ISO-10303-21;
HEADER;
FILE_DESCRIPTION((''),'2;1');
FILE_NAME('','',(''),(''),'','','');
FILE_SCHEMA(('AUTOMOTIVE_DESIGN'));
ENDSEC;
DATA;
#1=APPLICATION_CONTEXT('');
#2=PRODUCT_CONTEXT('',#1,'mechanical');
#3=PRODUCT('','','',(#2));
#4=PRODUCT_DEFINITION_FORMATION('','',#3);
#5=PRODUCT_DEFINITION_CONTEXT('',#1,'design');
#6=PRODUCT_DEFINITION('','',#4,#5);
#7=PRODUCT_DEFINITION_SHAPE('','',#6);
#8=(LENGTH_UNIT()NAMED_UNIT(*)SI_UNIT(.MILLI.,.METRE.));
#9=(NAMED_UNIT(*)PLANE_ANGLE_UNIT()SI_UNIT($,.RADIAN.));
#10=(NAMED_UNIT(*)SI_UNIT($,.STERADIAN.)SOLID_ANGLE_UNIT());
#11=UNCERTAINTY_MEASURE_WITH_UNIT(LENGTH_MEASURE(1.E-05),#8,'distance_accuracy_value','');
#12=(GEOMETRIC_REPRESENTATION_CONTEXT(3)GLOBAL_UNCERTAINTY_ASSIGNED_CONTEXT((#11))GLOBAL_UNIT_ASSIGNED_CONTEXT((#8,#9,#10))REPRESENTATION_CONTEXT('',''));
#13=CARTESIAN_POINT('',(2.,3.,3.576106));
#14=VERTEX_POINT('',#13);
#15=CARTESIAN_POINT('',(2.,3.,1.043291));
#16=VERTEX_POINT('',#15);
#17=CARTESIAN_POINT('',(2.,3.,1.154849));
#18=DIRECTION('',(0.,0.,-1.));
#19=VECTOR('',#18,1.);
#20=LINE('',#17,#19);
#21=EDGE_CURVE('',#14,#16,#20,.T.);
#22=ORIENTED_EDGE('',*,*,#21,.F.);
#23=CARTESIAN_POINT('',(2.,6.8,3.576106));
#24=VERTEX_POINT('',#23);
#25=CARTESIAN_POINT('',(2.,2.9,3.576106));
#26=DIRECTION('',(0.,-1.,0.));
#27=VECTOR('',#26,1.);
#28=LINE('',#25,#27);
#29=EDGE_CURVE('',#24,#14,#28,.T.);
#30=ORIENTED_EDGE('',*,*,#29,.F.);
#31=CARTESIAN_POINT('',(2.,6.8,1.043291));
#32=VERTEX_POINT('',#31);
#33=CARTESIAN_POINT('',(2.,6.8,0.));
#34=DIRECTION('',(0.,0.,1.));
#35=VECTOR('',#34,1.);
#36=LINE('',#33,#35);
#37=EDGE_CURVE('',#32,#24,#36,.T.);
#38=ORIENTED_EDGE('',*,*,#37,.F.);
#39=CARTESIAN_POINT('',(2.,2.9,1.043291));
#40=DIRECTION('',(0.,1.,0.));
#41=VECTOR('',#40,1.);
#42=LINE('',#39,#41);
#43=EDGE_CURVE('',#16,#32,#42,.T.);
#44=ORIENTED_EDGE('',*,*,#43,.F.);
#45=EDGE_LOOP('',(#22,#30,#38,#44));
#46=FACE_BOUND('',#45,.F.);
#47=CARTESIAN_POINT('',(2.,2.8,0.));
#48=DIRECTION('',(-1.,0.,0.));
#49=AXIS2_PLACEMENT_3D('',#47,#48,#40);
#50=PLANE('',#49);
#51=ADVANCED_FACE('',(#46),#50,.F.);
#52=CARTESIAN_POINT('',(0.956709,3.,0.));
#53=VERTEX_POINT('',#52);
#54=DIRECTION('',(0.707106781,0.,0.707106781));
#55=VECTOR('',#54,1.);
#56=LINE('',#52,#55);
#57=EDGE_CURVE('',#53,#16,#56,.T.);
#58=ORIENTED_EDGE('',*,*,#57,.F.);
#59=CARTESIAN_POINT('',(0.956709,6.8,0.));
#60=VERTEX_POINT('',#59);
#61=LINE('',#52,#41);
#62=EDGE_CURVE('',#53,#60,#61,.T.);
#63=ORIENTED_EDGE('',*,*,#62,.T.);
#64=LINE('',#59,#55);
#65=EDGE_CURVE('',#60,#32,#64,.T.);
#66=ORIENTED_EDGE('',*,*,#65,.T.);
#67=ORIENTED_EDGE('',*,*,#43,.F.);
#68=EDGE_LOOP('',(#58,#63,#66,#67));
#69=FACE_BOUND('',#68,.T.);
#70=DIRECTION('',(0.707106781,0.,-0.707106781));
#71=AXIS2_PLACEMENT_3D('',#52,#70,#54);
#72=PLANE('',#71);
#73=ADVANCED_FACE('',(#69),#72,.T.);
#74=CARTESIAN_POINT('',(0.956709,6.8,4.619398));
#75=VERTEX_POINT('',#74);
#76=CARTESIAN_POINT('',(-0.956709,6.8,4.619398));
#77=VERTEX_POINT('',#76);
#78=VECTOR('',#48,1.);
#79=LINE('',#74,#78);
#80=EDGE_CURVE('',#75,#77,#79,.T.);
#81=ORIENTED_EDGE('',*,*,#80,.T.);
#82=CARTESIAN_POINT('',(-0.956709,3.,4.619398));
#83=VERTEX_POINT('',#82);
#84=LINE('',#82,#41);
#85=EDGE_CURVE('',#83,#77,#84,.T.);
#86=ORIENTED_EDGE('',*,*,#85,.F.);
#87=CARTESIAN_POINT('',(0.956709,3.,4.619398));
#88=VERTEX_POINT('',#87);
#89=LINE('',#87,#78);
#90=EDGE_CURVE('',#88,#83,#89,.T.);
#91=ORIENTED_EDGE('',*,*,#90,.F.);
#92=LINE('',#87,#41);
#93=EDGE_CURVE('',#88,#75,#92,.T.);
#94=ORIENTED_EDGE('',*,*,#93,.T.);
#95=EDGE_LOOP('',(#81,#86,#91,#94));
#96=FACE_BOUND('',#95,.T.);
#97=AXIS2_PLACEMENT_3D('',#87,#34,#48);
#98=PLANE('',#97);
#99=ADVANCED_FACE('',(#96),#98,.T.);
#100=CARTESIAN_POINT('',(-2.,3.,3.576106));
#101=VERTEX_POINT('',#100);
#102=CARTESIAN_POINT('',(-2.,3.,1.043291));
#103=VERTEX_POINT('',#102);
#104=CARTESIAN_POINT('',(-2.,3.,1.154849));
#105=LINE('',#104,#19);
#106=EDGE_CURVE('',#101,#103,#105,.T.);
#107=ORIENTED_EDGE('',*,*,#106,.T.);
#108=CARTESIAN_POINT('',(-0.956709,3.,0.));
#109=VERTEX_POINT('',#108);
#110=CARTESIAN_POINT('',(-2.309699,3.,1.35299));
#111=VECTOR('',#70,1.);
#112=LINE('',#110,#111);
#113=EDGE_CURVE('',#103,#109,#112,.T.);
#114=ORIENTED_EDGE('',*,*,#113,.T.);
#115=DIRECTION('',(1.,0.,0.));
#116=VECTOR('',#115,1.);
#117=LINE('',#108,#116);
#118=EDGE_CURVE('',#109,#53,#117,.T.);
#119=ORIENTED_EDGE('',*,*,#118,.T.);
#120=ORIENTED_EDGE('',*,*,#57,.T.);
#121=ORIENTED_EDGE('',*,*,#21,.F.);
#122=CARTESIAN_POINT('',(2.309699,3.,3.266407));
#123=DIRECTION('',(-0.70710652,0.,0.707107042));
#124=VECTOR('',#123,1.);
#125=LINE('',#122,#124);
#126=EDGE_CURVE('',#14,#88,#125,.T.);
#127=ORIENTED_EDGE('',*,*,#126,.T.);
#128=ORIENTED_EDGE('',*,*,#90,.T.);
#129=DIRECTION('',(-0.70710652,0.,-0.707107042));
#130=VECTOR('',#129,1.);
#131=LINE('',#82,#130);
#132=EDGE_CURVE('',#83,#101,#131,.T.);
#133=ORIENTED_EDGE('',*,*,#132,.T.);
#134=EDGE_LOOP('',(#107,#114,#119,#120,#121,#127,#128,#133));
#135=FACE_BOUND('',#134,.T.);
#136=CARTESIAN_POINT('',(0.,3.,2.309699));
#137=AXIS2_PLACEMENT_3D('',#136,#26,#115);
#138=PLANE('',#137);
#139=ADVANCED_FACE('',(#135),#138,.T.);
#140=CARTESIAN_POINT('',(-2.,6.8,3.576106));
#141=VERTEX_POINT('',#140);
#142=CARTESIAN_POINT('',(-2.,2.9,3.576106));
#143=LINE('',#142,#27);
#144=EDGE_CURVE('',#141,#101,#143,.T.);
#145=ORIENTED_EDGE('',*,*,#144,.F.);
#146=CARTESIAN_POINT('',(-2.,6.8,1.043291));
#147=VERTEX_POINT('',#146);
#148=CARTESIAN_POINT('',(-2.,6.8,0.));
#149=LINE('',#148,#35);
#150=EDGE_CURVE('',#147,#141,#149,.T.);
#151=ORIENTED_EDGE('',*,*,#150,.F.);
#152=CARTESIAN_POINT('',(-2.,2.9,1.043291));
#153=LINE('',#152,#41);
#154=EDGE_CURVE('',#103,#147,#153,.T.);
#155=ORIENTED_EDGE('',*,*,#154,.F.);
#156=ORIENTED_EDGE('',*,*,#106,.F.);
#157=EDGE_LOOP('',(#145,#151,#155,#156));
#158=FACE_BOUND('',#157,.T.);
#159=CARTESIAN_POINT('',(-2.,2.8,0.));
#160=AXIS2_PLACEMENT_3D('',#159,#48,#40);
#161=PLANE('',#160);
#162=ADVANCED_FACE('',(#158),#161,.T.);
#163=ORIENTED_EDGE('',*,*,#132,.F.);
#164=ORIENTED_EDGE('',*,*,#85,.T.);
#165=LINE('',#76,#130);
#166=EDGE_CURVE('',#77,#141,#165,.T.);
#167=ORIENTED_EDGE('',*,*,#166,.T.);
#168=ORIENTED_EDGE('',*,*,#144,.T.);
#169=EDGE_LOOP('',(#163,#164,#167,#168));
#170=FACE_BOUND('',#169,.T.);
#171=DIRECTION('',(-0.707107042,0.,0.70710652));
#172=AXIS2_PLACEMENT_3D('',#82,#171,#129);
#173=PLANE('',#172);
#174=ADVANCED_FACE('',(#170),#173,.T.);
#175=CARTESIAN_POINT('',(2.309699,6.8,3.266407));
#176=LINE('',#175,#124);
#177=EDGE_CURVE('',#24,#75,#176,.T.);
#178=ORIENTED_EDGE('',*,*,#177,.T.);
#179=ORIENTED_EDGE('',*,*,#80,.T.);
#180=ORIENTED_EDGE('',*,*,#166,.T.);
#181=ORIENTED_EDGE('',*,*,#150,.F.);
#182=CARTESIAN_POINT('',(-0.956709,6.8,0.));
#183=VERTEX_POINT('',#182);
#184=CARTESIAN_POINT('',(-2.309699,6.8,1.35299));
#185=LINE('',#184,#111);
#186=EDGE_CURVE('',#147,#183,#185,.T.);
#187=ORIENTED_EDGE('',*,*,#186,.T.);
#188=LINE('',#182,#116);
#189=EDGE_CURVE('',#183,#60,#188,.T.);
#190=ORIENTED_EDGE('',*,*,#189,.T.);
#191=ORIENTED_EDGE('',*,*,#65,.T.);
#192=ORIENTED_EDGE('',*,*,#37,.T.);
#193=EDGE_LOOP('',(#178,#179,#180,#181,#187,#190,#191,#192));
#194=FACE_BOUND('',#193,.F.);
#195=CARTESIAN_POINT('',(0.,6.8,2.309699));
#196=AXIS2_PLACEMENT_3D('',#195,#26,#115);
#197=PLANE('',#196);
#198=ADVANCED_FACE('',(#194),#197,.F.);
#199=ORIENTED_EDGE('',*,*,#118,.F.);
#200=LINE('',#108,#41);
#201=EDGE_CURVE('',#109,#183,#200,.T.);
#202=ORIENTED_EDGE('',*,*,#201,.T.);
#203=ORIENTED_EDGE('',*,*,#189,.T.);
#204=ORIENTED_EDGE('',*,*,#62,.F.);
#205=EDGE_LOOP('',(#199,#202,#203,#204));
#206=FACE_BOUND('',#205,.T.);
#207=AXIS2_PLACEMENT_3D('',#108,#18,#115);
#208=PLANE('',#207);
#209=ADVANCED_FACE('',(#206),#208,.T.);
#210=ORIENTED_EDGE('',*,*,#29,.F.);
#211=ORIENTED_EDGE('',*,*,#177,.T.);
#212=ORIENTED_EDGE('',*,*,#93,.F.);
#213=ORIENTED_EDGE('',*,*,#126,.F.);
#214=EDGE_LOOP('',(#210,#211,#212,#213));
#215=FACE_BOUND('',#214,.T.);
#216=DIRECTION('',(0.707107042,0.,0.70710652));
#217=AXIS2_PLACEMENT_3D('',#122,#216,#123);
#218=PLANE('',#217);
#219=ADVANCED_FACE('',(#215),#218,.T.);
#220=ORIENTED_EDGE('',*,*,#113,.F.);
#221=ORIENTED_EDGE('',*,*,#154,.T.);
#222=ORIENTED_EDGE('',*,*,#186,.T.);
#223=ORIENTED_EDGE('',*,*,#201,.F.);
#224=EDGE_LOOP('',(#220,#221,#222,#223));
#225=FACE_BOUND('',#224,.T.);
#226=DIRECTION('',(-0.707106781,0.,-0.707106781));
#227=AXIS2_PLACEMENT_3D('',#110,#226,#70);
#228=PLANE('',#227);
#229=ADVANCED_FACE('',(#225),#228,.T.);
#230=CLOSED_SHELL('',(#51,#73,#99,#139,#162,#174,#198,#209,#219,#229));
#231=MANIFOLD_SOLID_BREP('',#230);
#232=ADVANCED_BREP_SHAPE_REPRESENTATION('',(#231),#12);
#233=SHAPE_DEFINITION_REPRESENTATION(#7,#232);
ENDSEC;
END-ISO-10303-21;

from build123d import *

# Parameters (mm, degrees)
BOX_W            = 4
BOX_H            = 4
BOX_DEPTH        = 10
EXTRUDE003_DEPTH = 3.8


with BuildPart() as box:
    # Box → Box (new body)
    with BuildSketch(Plane(origin=(-2, 2.8, 0), x_dir=(1, 0, 0), z_dir=(0, 0, 1))):
        with Locations((2, 2)):
            Rectangle(BOX_W, BOX_H)
    extrude(amount=BOX_DEPTH)


with BuildPart() as common:
    # Sketch002 → Extrude003 (new body)
    with BuildSketch(Plane.XZ):
        Polygon((2.309699, 1.35299), (2.309699, 3.266407), (0.956709, 4.619398), (-0.956709, 4.619398), (-2.309699, 3.266407), (-2.309699, 1.35299), (-0.956709, 0), (0.956709, 0), align=None)
    extrude(amount=-EXTRUDE003_DEPTH)


with BuildPart() as common_1:
    # Extrude003 placement: moved
    add(common.part.moved(Location((0, 3, 0))))

    # Common: intersect Box
    add(box.part, mode=Mode.INTERSECT)


solid = common_1.part
